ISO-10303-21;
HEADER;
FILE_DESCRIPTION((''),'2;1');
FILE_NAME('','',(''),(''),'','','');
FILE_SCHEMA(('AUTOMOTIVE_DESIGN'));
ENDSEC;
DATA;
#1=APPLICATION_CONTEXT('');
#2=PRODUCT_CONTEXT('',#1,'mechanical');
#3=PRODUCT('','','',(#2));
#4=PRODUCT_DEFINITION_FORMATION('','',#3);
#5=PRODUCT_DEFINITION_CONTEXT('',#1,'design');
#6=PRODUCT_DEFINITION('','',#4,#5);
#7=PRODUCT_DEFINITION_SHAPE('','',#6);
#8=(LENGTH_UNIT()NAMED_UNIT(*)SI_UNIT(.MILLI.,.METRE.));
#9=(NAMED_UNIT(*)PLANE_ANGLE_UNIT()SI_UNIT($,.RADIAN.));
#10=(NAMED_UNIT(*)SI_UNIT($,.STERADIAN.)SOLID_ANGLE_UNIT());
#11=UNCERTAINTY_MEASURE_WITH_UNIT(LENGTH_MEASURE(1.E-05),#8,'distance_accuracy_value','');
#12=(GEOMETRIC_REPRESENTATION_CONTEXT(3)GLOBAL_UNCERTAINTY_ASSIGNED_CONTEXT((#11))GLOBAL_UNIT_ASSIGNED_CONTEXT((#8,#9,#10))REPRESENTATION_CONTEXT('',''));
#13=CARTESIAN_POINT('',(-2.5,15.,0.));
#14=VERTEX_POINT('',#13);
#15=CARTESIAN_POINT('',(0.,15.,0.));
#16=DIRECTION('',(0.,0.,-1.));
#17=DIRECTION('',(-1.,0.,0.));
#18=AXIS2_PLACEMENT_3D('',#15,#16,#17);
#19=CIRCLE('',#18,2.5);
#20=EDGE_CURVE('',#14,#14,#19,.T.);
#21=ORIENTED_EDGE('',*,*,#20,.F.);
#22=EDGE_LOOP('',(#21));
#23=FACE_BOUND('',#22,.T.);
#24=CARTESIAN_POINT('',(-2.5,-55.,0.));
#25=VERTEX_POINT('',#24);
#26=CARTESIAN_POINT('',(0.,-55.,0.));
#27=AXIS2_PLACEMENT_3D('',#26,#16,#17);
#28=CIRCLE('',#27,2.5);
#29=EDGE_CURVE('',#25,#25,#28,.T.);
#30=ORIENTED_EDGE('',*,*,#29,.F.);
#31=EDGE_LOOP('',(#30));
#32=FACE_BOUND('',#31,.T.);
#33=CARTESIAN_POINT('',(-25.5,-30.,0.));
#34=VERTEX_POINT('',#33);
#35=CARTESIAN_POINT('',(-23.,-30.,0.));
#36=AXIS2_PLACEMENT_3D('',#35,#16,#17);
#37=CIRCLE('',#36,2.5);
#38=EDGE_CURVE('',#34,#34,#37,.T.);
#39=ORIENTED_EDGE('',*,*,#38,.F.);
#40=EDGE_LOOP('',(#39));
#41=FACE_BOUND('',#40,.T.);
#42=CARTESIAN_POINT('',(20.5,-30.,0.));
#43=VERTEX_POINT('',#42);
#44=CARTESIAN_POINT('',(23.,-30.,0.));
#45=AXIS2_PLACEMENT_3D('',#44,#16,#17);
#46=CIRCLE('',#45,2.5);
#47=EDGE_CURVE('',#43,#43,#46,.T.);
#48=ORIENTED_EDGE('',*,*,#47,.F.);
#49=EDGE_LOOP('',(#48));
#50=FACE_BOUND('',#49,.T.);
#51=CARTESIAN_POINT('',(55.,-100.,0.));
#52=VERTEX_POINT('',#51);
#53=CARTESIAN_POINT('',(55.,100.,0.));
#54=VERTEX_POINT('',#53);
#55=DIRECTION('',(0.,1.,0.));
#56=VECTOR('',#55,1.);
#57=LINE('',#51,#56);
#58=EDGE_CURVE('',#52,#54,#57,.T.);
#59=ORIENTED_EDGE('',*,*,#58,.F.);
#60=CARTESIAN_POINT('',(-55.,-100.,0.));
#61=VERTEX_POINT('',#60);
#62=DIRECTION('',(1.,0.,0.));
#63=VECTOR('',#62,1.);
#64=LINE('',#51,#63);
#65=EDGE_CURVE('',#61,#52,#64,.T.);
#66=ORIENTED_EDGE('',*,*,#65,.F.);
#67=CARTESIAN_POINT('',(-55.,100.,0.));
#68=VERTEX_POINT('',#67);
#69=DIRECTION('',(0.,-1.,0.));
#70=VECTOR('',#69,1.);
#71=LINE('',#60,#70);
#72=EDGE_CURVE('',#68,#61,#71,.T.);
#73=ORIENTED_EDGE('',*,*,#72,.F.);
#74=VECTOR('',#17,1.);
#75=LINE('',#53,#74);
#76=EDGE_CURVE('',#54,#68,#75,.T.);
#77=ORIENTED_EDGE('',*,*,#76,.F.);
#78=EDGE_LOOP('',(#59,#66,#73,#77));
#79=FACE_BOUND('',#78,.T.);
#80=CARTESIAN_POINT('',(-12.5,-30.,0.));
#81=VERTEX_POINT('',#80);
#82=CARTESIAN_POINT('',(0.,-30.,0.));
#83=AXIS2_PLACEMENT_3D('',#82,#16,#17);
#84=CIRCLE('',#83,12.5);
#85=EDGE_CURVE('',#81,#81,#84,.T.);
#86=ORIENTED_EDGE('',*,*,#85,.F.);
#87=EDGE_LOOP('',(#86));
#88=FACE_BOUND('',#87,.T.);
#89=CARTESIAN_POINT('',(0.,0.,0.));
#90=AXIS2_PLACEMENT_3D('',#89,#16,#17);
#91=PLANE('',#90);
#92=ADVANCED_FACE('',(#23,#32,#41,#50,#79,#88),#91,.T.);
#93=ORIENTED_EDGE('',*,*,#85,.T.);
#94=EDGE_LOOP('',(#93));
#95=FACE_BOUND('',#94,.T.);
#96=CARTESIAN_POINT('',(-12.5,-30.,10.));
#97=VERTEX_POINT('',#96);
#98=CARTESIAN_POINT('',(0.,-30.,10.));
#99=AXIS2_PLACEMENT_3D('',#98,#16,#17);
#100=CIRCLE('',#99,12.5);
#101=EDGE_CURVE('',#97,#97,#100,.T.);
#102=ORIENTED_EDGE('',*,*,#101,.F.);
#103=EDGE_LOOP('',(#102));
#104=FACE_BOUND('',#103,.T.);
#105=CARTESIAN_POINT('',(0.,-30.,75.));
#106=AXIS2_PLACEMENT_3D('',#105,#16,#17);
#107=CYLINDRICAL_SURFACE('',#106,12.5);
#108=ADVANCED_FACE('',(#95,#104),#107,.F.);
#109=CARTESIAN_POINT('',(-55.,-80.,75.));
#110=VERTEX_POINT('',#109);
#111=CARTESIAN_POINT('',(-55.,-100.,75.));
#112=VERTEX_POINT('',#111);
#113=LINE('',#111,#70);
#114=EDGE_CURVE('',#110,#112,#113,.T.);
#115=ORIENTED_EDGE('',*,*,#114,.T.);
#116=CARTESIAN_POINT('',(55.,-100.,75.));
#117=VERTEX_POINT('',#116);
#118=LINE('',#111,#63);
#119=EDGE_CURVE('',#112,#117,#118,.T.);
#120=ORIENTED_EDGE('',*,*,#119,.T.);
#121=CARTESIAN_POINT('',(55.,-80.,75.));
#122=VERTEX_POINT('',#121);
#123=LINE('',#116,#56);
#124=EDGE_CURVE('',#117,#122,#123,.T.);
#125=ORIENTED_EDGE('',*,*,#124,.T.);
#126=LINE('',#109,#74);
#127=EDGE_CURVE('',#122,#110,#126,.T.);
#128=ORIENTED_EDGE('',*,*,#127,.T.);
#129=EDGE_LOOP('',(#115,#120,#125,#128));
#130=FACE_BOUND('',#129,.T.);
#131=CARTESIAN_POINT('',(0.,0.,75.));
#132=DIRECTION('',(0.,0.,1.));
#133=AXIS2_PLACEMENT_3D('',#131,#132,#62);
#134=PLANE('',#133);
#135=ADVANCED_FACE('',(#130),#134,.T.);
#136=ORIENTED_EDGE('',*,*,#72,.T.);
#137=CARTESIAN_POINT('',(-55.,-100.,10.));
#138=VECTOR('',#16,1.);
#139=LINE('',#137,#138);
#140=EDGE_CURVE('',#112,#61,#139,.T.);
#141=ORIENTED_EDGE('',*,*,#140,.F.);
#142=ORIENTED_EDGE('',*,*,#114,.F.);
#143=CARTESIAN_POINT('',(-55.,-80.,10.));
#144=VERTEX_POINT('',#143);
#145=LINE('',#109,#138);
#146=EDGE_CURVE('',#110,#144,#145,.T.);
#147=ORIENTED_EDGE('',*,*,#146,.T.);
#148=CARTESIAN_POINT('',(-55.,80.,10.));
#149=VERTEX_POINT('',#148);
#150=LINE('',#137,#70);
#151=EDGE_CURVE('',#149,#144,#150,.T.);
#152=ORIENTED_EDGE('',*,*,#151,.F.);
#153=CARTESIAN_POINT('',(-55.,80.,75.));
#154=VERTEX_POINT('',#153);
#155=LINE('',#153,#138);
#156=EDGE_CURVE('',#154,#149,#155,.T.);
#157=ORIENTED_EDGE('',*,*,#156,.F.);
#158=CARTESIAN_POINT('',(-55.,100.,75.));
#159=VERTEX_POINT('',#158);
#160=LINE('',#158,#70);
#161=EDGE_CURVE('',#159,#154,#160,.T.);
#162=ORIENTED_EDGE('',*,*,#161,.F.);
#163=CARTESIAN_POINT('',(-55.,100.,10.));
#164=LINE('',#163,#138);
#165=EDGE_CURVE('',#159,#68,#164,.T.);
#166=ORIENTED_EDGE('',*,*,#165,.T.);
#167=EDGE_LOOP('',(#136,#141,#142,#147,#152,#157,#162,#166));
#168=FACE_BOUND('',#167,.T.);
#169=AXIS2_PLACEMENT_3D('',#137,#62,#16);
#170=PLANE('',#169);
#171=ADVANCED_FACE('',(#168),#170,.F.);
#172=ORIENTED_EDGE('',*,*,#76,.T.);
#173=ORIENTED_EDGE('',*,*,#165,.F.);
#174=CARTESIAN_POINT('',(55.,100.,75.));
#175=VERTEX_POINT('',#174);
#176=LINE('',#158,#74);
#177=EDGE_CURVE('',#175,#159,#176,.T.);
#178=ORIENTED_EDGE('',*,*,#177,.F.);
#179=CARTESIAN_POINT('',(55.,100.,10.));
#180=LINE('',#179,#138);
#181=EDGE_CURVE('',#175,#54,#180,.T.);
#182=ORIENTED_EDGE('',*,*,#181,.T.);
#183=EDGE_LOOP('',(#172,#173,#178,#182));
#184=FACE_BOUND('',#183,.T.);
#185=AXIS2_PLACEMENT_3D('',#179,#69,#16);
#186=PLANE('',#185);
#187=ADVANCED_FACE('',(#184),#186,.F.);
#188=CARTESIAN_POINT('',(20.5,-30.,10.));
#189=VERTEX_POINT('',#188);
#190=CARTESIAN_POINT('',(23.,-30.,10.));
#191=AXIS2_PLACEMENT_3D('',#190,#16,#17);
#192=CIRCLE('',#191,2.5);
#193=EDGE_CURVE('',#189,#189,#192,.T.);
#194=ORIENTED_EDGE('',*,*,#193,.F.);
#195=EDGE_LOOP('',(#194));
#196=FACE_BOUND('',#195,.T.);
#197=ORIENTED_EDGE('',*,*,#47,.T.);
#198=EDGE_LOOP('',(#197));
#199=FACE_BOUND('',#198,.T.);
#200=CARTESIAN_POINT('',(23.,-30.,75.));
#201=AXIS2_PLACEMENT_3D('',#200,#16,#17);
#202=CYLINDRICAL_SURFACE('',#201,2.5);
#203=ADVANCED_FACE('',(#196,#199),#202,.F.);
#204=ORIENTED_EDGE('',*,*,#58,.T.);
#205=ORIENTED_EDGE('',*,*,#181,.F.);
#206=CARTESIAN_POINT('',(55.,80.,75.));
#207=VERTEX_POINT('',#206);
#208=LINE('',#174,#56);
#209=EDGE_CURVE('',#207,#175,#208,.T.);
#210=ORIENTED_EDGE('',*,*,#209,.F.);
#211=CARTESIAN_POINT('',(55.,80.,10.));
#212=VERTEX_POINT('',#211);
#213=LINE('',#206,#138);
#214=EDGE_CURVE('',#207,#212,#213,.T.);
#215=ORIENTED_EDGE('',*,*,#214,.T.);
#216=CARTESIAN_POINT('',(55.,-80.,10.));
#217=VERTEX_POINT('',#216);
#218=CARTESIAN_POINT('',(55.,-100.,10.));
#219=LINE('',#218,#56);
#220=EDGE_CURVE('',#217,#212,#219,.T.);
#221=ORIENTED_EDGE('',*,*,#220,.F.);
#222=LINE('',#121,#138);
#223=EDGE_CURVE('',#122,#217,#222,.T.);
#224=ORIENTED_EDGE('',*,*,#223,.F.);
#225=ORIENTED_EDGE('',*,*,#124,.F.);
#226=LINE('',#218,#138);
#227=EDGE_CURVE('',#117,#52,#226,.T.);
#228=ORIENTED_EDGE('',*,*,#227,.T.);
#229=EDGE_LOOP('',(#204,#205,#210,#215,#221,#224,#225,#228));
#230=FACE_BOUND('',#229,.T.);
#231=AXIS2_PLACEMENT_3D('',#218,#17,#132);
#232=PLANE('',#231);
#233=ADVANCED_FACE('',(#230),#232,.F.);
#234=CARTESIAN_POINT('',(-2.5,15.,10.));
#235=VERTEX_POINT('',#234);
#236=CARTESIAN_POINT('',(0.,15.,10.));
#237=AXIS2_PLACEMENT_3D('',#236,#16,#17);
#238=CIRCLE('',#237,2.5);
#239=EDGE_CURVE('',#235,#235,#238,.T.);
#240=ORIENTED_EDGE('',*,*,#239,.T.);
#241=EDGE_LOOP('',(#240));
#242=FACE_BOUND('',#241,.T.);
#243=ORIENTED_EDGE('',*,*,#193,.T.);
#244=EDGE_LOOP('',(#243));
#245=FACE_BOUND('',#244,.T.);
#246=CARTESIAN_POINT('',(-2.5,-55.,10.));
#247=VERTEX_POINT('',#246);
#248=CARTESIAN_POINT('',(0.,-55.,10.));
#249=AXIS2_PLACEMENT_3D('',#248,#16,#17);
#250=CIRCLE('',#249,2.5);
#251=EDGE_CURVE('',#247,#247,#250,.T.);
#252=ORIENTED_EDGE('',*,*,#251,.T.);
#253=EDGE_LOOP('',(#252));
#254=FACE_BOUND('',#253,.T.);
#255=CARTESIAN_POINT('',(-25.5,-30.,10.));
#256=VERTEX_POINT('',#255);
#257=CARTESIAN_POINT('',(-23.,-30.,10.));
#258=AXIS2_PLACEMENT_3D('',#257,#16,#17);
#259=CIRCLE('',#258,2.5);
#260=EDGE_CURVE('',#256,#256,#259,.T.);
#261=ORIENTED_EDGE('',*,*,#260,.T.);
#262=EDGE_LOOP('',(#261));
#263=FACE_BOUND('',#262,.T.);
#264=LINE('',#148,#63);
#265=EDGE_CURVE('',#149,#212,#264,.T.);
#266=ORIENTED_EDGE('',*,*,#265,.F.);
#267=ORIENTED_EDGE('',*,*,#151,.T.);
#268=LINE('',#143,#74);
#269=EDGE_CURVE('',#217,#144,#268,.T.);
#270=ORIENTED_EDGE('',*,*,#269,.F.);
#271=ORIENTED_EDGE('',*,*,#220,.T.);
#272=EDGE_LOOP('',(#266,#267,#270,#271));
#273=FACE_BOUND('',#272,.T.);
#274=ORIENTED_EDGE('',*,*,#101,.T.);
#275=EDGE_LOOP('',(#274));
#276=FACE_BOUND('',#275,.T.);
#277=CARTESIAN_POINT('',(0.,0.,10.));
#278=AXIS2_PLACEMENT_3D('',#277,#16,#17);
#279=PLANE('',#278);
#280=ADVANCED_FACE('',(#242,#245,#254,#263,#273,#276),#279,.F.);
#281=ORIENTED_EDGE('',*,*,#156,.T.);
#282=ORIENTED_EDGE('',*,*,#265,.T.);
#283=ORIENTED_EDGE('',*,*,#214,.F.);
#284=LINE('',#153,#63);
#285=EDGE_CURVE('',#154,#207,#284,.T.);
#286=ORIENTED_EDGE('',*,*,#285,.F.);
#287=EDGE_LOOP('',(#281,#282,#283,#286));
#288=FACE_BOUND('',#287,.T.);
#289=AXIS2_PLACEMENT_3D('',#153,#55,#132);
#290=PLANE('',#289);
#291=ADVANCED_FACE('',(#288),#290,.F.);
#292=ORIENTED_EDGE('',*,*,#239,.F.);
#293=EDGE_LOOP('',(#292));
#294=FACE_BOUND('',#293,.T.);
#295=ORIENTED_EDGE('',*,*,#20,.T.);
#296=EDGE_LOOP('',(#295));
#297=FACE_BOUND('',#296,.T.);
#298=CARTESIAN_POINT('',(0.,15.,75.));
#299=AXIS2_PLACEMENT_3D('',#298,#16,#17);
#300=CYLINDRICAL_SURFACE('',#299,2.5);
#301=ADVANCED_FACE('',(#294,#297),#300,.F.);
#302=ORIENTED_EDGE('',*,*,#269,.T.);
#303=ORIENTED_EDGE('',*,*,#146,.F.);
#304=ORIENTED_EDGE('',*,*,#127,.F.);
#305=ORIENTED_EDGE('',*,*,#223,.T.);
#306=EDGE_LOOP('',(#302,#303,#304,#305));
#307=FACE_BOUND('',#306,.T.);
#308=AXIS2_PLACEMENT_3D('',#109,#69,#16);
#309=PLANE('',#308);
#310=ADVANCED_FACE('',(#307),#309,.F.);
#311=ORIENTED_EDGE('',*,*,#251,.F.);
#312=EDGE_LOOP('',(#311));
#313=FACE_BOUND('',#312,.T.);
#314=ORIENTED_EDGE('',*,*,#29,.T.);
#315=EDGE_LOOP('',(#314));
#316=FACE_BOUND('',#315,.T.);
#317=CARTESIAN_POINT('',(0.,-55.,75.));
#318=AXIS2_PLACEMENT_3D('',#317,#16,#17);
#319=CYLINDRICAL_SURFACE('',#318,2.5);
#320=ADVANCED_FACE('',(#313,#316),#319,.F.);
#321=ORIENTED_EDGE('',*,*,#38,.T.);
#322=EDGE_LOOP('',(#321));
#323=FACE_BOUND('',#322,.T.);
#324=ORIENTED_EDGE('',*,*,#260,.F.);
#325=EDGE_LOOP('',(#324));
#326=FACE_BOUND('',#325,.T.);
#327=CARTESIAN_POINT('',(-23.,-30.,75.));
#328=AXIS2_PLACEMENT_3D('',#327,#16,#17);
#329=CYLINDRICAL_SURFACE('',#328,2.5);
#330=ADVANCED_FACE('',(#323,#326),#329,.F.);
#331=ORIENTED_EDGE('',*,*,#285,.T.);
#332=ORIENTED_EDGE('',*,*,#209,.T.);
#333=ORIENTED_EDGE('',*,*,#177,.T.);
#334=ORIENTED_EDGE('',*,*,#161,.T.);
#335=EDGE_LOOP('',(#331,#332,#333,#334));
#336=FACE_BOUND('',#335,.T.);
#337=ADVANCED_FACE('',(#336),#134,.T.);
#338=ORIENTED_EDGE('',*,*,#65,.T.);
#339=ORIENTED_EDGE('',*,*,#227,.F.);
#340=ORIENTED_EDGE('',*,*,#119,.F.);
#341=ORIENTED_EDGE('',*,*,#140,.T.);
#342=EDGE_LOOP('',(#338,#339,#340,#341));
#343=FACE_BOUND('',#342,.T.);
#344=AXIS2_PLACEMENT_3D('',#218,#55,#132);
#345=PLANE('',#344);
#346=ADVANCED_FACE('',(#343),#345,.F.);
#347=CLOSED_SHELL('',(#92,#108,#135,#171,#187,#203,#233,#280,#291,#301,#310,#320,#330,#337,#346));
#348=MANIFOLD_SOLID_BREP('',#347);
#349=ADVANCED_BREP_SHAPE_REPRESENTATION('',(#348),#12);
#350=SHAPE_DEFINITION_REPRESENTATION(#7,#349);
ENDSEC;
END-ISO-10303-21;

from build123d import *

# Parameters (mm, degrees)
SKETCH1_W           = 200
SKETCH1_H           = 110
BOSS_EXTRUDE1_DEPTH = 10
SKETCH2_W           = 110
SKETCH2_H           = 20
BOSS_EXTRUDE2_DEPTH = 65
SKETCH4_R           = 12.5
CUT_EXTRUDE1_DEPTH  = 76
SKETCH5_R           = 2.5
CUT_EXTRUDE2_DEPTH  = 76
SKETCH3_R           = 2.5
CUT_EXTRUDE3_DEPTH  = 76


with BuildPart() as part:
    # Sketch1 → Boss-Extrude1 (new body)
    with BuildSketch(Plane(origin=(0, 0, 0), x_dir=(0, 1, 0), z_dir=(0, 0, 1))):
        Rectangle(SKETCH1_W, SKETCH1_H)
    extrude(amount=BOSS_EXTRUDE1_DEPTH)

    # Sketch2 → Boss-Extrude2 (add)
    with BuildSketch(Plane.XY.offset(10)):
        with Locations((0, 90)):
            Rectangle(SKETCH2_W, SKETCH2_H)
        with Locations((0, -90)):
            Rectangle(SKETCH2_W, SKETCH2_H)
    extrude(amount=BOSS_EXTRUDE2_DEPTH)

    # Sketch4 → Cut-Extrude1 (cut, through all)
    with BuildSketch(Plane(origin=(0, 0, 0), x_dir=(1, 0, 0), z_dir=(0, 0, -1))):
        with Locations((0, 30)):
            Circle(SKETCH4_R)
    extrude(amount=-CUT_EXTRUDE1_DEPTH, mode=Mode.SUBTRACT)

    # Sketch5 → Cut-Extrude2 (cut, through all)
    with BuildSketch(Plane(origin=(0, 0, 0), x_dir=(1, 0, 0), z_dir=(0, 0, -1))):
        with Locations((23, 30)):
            Circle(SKETCH5_R)
        with Locations((-23, 30)):
            Circle(SKETCH5_R)
    extrude(amount=-CUT_EXTRUDE2_DEPTH, mode=Mode.SUBTRACT)

    # Sketch3 → Cut-Extrude3 (cut, through all)
    with BuildSketch(Plane(origin=(0, 0, 0), x_dir=(1, 0, 0), z_dir=(0, 0, -1))):
        with Locations((0, 55)):
            Circle(SKETCH3_R)
        with Locations((0, -15)):
            Circle(SKETCH3_R)
    extrude(amount=-CUT_EXTRUDE3_DEPTH, mode=Mode.SUBTRACT)


solid = part.part
